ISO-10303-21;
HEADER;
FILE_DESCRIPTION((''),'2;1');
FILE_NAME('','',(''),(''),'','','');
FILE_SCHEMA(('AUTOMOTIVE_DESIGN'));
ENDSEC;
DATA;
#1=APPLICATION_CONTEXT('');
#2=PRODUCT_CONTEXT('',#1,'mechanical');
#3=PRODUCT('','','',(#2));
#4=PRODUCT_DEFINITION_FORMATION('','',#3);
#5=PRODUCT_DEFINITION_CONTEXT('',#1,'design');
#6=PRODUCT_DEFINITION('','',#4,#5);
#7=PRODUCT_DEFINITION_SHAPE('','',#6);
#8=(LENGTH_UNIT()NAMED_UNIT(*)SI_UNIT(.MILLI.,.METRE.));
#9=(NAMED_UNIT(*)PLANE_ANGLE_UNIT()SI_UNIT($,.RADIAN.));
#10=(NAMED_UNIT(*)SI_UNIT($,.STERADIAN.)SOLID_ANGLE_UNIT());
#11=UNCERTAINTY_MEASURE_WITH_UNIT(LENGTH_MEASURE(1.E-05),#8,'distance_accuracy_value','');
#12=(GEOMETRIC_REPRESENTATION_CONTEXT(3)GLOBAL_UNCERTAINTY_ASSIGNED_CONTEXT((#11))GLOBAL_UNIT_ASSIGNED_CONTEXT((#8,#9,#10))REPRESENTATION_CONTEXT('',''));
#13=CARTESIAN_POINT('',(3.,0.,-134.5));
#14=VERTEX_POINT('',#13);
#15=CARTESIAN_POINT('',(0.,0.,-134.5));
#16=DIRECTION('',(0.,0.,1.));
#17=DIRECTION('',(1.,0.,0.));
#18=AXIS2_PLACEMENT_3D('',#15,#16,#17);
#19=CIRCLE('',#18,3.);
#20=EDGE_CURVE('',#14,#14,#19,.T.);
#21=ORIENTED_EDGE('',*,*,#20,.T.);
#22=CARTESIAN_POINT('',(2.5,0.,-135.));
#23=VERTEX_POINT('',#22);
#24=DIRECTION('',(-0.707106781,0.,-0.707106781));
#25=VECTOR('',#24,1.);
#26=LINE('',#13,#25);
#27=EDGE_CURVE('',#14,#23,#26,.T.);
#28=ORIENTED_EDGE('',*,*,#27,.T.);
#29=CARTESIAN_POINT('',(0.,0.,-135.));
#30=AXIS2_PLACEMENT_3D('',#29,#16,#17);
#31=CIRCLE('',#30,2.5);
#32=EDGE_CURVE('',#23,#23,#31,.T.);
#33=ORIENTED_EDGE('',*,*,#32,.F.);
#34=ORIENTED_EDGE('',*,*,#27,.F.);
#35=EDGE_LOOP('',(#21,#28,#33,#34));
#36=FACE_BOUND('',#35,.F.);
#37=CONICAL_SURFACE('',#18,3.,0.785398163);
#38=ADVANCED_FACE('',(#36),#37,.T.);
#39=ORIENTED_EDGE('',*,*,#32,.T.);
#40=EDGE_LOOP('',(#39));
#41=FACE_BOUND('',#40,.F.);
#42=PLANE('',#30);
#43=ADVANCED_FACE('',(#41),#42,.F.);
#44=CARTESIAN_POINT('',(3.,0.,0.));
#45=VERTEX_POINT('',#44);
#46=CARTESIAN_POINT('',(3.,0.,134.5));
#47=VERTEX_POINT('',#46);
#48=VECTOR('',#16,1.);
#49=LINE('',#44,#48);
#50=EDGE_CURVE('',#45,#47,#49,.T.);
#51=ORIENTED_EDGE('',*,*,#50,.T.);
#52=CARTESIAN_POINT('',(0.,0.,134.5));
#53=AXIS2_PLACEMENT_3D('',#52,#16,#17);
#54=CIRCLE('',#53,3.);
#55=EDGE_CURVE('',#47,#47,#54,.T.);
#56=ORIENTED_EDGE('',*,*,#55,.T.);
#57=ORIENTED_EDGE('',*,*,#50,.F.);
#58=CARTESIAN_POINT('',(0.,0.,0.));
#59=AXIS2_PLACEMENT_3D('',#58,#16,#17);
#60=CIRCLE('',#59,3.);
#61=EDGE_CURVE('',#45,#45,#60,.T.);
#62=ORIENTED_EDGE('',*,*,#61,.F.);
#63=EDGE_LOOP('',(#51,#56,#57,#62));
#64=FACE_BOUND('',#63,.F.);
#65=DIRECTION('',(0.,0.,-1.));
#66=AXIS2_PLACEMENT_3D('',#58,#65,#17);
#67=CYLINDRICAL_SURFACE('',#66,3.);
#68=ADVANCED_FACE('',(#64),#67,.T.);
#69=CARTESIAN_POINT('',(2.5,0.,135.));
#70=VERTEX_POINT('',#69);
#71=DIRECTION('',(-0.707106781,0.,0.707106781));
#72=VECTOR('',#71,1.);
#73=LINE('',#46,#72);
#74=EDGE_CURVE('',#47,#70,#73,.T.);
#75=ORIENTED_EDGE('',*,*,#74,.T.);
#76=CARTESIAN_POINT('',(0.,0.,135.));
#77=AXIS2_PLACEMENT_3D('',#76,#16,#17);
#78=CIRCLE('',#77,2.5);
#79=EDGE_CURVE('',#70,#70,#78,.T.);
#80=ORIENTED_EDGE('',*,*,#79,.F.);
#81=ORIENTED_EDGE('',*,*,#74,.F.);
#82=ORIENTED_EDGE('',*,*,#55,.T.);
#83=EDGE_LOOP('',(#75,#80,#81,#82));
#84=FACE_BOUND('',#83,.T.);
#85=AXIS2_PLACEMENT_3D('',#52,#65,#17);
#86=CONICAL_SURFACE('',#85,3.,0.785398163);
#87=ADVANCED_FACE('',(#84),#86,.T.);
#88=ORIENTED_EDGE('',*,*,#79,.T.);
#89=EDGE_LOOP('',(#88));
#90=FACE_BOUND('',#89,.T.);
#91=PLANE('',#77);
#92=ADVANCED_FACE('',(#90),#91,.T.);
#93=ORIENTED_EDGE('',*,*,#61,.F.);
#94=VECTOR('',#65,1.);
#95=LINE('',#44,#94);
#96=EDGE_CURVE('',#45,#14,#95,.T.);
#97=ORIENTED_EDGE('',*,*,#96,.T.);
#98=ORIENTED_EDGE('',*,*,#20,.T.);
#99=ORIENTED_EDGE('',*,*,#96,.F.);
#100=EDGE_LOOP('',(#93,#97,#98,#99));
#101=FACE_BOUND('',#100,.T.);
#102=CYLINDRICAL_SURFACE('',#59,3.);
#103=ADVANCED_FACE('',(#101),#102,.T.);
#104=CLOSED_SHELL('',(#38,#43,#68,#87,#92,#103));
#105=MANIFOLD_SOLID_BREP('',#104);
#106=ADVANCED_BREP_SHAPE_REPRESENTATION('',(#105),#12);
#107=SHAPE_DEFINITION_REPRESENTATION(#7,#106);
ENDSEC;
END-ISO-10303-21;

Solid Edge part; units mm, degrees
sketch "Sketch1" plane through (0, 0, 0) normal (0, 0, 1) x (1, 0, 0)
  circle A0 centre (0, 0) radius 3
extrude "Protrusion1" add sketch "Sketch1" along normal mid plane 270
chamfer "Chamfer_1" distance 0.5 angle 45 2 edges at (-3, 0, -135) (-3, 0, 135)
cosmetic_thread "Thread1" size "M6"
properties material "Steel"
